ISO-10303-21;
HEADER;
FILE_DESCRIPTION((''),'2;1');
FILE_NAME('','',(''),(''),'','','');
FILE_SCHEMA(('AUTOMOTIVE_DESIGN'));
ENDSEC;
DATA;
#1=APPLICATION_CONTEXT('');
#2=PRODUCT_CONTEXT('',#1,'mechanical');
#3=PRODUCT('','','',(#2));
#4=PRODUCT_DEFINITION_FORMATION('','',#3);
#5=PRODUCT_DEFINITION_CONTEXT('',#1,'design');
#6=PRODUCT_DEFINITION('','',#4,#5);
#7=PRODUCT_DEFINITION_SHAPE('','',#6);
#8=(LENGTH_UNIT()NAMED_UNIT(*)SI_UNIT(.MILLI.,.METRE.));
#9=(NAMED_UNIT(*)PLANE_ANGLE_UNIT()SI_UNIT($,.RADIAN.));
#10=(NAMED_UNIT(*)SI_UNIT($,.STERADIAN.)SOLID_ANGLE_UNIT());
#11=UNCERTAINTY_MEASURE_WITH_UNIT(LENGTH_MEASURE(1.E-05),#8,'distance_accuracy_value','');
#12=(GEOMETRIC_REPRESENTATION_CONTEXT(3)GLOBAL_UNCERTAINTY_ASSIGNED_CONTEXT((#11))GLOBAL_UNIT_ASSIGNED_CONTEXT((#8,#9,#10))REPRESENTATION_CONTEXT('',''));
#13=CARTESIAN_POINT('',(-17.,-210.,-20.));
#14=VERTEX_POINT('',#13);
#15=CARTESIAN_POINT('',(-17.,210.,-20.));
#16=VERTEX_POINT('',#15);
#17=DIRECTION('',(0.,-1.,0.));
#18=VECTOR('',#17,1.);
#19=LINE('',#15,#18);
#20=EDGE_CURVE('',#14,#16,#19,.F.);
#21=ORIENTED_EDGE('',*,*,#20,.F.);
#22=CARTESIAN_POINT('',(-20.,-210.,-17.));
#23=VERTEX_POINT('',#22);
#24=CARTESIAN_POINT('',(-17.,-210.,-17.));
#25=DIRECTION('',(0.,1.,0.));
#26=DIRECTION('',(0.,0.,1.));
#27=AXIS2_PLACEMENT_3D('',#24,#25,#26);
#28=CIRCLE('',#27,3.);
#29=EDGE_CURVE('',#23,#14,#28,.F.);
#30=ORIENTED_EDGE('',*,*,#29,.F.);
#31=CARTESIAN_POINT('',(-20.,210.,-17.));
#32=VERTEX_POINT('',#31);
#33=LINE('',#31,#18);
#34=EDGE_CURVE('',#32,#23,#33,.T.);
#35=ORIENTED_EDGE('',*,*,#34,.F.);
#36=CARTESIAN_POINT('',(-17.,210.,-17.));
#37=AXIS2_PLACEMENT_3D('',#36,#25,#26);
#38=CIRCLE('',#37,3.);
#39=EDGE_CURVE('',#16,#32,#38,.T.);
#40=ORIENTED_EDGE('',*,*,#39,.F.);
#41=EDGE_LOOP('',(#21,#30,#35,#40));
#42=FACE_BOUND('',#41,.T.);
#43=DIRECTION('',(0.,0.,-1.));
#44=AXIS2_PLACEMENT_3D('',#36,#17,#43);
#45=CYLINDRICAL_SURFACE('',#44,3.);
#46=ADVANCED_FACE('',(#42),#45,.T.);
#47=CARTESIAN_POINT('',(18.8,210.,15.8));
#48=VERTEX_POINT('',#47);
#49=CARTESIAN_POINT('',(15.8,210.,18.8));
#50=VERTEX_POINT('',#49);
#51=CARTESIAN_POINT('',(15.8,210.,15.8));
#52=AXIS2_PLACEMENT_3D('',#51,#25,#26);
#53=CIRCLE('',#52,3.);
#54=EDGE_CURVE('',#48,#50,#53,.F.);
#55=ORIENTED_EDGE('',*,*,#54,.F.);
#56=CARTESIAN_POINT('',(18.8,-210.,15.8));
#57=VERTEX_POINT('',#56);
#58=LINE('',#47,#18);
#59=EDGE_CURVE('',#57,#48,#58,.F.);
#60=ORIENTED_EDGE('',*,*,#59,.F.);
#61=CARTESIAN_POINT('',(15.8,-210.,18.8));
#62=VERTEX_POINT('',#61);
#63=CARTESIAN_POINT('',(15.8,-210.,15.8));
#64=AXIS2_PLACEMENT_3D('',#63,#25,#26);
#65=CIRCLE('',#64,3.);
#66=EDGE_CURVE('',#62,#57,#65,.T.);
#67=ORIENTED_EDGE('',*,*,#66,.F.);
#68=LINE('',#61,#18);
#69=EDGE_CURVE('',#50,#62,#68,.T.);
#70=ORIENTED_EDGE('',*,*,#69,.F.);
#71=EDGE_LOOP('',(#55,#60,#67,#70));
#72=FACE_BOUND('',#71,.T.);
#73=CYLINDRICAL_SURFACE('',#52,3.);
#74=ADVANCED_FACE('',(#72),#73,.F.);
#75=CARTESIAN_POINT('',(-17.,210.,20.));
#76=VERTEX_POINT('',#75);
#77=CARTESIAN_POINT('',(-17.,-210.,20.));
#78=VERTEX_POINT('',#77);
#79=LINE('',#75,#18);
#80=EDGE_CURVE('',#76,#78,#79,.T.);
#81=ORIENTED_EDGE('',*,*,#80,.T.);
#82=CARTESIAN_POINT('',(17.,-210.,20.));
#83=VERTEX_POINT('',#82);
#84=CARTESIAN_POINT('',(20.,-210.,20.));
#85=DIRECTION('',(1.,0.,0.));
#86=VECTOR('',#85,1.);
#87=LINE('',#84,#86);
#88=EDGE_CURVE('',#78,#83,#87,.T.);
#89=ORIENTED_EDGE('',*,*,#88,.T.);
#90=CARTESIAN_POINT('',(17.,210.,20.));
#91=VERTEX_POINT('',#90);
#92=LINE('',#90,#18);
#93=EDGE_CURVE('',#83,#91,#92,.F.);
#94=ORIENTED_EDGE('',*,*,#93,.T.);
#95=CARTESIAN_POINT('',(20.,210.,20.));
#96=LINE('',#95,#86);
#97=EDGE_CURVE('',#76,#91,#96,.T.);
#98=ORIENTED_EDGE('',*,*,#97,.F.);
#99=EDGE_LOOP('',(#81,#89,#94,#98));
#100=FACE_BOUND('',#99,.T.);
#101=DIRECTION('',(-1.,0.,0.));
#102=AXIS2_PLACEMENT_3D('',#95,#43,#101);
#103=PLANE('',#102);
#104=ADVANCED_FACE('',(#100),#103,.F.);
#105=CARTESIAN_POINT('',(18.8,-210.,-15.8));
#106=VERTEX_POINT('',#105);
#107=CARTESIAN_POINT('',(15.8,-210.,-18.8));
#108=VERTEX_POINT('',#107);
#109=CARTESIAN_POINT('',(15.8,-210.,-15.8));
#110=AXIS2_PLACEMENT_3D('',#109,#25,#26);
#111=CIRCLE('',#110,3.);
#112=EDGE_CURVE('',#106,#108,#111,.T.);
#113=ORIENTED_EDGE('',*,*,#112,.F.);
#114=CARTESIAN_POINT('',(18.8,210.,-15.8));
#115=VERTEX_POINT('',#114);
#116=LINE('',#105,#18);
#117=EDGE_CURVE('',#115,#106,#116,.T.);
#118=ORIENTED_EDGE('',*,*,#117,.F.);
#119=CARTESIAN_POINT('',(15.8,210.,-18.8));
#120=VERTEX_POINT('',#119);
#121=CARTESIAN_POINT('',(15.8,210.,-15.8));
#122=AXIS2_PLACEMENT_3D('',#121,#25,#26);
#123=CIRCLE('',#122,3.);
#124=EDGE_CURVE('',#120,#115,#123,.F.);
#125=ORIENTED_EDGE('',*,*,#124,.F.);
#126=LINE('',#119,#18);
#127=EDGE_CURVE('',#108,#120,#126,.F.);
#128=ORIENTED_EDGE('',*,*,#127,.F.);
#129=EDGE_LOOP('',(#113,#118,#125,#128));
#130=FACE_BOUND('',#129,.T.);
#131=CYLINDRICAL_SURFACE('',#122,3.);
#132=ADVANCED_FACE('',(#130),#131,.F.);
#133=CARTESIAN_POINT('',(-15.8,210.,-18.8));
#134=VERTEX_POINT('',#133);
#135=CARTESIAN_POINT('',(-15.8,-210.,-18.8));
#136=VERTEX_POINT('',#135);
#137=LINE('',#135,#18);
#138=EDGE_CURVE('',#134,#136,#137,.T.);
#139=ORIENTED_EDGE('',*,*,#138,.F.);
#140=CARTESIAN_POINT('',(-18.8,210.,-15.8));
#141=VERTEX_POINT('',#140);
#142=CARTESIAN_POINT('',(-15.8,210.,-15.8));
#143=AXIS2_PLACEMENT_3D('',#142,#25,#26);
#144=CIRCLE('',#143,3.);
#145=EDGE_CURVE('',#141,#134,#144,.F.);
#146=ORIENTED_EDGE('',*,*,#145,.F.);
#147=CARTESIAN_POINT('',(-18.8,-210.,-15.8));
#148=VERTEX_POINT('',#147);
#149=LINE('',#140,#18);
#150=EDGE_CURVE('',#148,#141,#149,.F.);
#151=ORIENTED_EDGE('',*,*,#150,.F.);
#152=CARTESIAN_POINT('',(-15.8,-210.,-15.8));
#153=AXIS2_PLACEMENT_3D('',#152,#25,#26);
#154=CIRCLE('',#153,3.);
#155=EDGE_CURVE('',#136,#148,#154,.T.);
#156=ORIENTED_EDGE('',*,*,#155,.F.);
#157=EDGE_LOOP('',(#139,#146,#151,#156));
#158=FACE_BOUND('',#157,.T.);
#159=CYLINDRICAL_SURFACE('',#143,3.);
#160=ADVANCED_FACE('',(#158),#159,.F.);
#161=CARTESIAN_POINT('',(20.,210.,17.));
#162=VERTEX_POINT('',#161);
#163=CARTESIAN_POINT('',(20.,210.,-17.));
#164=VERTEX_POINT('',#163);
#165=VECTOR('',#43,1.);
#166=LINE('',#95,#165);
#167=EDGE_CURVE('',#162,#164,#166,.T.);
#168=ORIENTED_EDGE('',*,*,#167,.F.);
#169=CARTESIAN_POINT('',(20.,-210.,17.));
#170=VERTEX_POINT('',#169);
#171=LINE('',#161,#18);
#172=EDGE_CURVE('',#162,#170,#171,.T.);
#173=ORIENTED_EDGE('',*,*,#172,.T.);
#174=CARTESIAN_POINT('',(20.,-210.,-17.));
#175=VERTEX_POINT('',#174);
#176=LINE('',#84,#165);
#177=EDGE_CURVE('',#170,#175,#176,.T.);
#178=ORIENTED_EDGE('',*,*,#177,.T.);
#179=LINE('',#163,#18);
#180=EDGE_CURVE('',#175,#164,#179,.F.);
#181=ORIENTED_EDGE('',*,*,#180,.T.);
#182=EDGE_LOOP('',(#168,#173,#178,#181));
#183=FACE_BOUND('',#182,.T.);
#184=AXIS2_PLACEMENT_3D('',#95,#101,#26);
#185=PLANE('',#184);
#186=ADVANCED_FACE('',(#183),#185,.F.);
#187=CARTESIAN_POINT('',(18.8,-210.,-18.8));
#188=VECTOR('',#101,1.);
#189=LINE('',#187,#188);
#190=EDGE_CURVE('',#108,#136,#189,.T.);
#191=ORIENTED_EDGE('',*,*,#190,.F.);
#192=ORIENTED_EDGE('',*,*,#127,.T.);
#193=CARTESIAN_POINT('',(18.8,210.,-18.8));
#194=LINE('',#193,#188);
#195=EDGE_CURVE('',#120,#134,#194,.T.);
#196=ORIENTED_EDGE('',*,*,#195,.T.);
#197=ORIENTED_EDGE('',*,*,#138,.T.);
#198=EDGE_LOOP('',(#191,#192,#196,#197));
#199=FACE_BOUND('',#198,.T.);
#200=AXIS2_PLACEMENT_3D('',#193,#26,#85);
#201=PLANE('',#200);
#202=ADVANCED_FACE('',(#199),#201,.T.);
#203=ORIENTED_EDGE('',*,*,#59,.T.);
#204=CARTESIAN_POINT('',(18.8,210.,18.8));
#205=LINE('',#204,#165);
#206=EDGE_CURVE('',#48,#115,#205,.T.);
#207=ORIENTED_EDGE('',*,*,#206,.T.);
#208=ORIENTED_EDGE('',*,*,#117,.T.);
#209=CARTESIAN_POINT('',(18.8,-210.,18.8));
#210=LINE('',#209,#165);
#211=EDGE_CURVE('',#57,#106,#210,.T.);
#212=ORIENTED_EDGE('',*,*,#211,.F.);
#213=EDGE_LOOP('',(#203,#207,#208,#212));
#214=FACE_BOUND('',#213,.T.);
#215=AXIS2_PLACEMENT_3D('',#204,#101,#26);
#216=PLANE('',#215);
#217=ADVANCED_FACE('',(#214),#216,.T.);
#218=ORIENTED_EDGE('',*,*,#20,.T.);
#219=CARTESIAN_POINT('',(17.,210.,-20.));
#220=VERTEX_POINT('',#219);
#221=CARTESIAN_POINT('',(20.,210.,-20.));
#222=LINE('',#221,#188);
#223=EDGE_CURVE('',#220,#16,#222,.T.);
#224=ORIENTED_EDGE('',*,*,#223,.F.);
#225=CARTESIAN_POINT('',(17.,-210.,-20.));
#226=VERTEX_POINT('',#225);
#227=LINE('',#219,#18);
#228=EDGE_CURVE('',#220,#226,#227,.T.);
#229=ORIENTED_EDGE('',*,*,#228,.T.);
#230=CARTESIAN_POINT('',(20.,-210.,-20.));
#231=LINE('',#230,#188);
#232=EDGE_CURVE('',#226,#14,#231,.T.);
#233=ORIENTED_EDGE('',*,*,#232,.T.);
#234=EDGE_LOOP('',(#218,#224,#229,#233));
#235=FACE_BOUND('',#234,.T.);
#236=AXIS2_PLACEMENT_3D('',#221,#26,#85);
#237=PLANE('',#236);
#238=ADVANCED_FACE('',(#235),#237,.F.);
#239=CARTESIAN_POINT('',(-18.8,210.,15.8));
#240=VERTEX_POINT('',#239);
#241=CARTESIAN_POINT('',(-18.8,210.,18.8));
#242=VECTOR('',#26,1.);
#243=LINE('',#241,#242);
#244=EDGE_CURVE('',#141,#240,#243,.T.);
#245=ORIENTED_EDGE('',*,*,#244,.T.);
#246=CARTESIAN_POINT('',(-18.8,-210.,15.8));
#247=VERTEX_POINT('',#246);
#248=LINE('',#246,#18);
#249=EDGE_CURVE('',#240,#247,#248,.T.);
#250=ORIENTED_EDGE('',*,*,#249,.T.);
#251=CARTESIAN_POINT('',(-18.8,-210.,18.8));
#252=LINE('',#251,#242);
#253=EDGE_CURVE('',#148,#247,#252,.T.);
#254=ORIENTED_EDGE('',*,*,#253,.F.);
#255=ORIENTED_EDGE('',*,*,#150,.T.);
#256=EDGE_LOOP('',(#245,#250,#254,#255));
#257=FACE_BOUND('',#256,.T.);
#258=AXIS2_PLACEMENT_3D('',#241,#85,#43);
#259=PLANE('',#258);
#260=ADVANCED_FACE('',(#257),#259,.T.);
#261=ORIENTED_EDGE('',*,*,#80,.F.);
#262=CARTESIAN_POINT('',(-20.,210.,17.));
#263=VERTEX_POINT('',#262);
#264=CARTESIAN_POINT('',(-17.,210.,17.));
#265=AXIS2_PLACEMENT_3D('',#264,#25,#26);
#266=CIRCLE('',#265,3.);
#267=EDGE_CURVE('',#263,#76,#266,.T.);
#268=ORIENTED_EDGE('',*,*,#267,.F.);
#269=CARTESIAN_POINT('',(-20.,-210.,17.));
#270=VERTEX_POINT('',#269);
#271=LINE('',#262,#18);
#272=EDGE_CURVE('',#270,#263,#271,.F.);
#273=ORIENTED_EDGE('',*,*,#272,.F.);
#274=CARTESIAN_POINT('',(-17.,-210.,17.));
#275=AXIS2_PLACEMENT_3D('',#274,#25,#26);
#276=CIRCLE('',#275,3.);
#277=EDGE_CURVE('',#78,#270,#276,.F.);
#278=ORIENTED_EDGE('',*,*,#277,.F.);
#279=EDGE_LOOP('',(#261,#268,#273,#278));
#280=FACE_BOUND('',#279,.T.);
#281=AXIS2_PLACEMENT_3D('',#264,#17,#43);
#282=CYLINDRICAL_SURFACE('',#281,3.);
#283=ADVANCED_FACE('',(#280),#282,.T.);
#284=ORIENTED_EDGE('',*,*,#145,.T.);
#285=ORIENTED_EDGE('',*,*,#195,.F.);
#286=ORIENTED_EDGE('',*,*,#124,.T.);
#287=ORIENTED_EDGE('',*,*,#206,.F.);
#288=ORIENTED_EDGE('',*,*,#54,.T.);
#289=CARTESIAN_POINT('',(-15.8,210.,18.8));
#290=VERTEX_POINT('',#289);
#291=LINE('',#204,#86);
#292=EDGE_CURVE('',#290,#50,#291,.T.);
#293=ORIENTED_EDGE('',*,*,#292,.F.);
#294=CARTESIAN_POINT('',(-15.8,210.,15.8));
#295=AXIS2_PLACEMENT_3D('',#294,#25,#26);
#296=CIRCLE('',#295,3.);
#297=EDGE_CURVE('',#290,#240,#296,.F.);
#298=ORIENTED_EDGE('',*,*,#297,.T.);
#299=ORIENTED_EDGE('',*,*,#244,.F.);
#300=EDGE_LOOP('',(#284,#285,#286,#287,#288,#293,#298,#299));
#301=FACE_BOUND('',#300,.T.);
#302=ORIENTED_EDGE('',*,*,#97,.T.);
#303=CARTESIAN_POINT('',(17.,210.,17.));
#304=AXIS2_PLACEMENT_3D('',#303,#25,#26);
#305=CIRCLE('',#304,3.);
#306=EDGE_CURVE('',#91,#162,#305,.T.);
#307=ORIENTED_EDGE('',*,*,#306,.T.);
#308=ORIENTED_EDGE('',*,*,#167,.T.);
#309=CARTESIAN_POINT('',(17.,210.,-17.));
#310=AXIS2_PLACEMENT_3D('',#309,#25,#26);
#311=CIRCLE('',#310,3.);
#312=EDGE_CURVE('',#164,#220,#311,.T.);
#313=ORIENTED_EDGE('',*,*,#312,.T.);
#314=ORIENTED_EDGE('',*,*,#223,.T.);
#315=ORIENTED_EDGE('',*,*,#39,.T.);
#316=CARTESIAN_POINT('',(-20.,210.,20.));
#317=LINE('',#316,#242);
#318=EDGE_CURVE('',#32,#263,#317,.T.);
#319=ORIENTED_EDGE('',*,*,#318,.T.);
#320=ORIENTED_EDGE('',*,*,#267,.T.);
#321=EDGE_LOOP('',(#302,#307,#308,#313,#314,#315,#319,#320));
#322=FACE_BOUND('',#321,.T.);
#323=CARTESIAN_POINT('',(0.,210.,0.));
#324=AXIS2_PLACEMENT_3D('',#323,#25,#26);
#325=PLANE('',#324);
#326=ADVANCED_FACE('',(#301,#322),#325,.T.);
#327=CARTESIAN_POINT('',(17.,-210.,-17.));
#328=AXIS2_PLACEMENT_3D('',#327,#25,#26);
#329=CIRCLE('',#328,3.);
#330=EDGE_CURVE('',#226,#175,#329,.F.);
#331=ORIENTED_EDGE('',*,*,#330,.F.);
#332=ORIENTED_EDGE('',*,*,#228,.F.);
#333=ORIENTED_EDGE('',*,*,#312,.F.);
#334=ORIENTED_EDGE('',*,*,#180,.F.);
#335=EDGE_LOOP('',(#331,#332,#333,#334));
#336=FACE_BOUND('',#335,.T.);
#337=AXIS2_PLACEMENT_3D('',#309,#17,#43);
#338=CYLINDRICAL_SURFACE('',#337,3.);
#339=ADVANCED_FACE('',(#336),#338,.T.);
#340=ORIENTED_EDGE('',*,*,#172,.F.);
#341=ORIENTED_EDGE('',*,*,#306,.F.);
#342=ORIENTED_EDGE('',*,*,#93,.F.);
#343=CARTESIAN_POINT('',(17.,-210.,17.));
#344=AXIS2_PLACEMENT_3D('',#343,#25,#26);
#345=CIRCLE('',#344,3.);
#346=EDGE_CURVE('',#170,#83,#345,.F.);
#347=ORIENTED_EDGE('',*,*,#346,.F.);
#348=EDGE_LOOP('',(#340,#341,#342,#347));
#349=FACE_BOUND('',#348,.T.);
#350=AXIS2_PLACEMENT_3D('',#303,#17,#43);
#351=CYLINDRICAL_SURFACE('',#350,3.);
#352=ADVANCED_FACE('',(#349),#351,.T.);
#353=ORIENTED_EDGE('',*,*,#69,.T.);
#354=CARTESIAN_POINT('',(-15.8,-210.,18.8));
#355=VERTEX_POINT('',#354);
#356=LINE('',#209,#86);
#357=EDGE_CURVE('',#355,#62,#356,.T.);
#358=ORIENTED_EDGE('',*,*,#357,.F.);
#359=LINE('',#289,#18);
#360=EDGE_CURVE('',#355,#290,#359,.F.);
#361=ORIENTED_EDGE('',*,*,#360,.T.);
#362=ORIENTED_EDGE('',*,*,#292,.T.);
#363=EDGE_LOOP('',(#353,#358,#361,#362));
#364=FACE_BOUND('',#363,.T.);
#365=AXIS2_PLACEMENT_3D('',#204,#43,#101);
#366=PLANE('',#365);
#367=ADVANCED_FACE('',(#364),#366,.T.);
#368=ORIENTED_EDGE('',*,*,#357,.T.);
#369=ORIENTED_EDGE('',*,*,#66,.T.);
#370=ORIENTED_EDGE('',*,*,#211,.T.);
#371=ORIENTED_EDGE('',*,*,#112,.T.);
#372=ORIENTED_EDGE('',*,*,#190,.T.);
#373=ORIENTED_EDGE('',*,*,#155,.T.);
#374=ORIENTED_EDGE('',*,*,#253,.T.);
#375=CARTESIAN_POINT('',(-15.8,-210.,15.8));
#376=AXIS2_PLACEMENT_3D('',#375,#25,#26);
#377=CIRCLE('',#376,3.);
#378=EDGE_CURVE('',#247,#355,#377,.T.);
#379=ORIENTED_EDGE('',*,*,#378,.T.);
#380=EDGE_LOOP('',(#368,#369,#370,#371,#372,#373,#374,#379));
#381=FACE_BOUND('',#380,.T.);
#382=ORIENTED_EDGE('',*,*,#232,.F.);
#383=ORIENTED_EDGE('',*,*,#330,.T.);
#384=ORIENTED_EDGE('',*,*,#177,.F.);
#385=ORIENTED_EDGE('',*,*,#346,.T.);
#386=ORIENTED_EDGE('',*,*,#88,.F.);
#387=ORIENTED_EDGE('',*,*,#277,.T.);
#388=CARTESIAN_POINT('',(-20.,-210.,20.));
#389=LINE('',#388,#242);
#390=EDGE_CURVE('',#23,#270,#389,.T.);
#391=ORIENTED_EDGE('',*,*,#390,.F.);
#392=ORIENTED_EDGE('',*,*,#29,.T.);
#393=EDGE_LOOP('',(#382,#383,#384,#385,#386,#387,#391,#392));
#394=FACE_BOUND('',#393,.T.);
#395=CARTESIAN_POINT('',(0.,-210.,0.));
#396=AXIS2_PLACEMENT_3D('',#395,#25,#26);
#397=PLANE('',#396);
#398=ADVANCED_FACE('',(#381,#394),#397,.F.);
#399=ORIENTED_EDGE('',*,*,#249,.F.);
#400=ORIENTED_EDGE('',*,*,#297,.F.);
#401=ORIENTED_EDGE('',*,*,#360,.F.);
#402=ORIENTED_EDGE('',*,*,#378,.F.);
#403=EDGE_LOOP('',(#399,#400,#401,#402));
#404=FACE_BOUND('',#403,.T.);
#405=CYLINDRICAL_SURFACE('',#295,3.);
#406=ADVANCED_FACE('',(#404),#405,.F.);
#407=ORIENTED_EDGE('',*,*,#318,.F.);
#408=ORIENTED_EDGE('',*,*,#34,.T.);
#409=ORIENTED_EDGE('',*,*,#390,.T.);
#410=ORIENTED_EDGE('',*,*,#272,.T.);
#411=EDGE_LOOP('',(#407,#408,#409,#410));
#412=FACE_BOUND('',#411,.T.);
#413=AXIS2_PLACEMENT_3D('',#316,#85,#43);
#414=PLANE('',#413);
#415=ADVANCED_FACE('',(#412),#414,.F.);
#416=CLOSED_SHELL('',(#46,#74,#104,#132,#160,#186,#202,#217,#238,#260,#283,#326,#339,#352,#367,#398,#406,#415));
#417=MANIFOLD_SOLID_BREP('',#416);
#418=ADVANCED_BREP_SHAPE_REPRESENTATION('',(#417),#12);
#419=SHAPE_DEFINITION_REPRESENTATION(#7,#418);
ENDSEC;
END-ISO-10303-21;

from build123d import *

# Parameters (mm, degrees)
ESBO_O1_W                = 40
ESBO_O1_H                = 40
ESBO_O1_W_2              = 37.6
ESBO_O1_H_2              = 37.6
RESSALTO_EXTRUS_O1_DEPTH = 210
FILETE1_R                = 3


with BuildPart() as part:
    # Esboço1 → Ressalto-extrusão1 (new, symmetric)
    with BuildSketch(Plane(origin=(0, 0, 0), x_dir=(1, 0, 0), z_dir=(0, 1, 0))):
        Rectangle(ESBO_O1_W, ESBO_O1_H)
        Rectangle(ESBO_O1_W_2, ESBO_O1_H_2, mode=Mode.SUBTRACT)
    extrude(amount=RESSALTO_EXTRUS_O1_DEPTH, both=True)

    # Filete1
    filete1_edges = [part.edges().sort_by_distance(p)[0] for p in [
        (-18.8, 0, 18.8),
        (18.8, 0, 18.8),
        (18.8, 0, -18.8),
        (-18.8, 0, -18.8),
        (-20, 0, -20),
        (20, 0, -20),
        (20, 0, 20),
        (-20, 0, 20),
    ]]
    fillet(filete1_edges, radius=FILETE1_R)


solid = part.part
